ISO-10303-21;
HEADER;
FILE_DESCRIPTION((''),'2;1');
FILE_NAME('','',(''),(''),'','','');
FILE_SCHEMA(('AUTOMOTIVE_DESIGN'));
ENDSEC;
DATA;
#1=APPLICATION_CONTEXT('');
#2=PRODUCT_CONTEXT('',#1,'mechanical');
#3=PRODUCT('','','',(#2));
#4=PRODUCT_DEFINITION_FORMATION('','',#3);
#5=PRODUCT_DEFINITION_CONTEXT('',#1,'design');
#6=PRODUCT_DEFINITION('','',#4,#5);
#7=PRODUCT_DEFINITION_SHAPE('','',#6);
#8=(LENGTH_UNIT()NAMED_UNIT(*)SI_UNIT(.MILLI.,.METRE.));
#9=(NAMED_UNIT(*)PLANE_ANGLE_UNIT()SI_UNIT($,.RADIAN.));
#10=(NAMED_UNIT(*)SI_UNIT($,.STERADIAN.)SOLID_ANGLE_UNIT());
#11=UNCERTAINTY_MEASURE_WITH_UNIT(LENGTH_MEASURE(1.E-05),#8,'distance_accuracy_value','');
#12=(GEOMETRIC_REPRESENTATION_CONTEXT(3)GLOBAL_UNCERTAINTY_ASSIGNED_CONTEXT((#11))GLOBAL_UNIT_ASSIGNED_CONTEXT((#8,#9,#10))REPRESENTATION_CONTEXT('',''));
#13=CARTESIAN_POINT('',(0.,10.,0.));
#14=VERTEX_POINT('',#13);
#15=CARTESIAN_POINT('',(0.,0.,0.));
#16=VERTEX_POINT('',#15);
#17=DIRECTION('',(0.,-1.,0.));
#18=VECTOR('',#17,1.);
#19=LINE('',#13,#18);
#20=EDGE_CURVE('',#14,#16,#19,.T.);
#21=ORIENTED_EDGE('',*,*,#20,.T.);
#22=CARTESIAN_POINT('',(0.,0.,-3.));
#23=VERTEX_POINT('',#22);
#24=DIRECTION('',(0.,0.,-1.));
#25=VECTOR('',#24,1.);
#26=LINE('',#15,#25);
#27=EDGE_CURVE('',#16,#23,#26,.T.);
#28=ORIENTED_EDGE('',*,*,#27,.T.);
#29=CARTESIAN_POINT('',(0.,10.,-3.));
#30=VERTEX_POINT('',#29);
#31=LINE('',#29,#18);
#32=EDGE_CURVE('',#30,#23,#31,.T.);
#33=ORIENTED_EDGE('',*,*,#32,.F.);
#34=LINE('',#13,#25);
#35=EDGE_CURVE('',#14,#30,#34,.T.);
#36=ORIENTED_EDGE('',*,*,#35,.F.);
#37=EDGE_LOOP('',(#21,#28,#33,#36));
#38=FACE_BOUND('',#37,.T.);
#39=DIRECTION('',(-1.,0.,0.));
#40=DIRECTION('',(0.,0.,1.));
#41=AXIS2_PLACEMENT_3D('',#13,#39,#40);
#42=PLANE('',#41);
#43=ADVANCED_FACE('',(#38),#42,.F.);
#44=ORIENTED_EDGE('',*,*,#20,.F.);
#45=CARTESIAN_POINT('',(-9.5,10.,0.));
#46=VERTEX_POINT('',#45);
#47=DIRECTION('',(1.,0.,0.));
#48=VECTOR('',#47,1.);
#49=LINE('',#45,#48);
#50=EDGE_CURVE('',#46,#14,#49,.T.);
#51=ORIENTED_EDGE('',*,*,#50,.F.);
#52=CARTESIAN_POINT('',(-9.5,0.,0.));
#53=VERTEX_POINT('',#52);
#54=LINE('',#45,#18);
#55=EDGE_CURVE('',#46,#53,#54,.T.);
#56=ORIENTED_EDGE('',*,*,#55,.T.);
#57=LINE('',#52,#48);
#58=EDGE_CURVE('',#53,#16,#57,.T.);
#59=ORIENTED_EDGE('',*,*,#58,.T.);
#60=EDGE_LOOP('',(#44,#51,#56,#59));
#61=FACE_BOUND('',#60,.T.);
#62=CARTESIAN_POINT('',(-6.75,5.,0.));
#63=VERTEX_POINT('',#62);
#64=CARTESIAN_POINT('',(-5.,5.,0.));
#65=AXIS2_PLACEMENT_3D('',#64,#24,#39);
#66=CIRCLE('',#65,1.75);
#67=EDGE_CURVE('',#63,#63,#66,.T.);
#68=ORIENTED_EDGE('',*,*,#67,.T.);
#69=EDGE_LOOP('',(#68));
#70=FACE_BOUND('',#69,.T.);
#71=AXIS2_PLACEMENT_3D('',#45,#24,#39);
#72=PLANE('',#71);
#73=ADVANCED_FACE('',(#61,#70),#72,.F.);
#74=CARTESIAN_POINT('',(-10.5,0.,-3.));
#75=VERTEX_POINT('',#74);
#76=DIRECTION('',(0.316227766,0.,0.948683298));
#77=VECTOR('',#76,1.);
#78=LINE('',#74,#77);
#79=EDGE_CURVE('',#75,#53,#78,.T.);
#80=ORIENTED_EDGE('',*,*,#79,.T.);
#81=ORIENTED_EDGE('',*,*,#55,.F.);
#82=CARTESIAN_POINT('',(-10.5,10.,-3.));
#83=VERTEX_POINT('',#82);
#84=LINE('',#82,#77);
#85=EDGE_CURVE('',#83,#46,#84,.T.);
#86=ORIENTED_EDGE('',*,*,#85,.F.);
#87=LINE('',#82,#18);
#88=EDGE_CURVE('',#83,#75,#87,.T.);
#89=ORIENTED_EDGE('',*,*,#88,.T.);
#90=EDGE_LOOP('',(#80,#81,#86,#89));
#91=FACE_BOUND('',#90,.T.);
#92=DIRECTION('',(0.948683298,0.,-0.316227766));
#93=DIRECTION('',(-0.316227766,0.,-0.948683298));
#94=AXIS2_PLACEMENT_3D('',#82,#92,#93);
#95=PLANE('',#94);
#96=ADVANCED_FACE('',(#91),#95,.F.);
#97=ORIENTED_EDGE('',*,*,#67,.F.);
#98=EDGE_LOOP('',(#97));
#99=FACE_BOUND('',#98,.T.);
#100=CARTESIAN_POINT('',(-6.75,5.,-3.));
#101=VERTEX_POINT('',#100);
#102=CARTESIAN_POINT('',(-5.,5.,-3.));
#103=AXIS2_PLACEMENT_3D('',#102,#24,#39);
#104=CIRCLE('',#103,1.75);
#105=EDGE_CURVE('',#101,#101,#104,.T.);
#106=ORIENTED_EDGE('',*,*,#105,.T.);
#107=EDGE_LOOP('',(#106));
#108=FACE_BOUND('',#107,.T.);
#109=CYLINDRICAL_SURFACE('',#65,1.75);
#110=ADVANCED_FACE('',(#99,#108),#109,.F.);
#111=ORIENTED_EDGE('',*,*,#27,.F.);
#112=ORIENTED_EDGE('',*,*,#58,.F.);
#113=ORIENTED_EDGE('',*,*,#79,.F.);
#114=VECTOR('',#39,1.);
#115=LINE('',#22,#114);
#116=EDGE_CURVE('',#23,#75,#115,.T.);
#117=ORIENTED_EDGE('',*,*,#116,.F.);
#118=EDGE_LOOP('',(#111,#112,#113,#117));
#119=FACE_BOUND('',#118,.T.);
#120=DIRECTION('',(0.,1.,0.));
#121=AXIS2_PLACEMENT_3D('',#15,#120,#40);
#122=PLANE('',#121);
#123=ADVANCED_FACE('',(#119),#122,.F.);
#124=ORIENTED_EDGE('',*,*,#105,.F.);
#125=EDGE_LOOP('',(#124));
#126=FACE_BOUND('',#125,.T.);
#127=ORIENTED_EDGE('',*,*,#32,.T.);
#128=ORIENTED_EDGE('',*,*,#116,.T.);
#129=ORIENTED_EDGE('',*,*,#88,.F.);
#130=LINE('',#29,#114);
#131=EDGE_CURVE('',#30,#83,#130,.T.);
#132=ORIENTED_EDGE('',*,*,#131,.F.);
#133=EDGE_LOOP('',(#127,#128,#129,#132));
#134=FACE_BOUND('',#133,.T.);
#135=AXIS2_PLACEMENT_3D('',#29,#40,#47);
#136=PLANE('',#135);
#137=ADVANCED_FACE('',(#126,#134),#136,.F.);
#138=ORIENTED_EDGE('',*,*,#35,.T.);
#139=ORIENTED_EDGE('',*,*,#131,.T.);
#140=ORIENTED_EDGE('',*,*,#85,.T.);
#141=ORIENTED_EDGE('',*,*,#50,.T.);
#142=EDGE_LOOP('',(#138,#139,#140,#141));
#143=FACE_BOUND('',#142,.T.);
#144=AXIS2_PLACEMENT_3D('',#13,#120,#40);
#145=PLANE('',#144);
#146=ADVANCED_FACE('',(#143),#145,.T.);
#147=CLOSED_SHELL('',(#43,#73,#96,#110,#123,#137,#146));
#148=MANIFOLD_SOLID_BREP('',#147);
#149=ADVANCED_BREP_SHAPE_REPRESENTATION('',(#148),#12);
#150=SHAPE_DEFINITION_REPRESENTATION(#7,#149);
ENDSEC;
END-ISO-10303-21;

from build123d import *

# Parameters (mm, degrees)
BOSS_EXTRUDE1_DEPTH = 10
SKETCH2_R           = 1.75
CUT_EXTRUDE1_DEPTH  = 15.807092895


with BuildPart() as part:
    # Sketch1 → Boss-Extrude1 (new body)
    with BuildSketch(Plane(origin=(0, 0, 0), x_dir=(1, 0, 0), z_dir=(0, 1, 0))):
        Polygon((0, 0), (0, 3), (-10.5, 3), (-9.5, 0), align=None)
    extrude(amount=BOSS_EXTRUDE1_DEPTH)

    # Sketch2 → Cut-Extrude1 (cut, through all)
    with BuildSketch(Plane(origin=(0, 0, -3), x_dir=(-1, 0, 0), z_dir=(0, 0, -1))):
        with Locations((5, 5)):
            Circle(SKETCH2_R)
    extrude(amount=-CUT_EXTRUDE1_DEPTH, mode=Mode.SUBTRACT)


solid = part.part
